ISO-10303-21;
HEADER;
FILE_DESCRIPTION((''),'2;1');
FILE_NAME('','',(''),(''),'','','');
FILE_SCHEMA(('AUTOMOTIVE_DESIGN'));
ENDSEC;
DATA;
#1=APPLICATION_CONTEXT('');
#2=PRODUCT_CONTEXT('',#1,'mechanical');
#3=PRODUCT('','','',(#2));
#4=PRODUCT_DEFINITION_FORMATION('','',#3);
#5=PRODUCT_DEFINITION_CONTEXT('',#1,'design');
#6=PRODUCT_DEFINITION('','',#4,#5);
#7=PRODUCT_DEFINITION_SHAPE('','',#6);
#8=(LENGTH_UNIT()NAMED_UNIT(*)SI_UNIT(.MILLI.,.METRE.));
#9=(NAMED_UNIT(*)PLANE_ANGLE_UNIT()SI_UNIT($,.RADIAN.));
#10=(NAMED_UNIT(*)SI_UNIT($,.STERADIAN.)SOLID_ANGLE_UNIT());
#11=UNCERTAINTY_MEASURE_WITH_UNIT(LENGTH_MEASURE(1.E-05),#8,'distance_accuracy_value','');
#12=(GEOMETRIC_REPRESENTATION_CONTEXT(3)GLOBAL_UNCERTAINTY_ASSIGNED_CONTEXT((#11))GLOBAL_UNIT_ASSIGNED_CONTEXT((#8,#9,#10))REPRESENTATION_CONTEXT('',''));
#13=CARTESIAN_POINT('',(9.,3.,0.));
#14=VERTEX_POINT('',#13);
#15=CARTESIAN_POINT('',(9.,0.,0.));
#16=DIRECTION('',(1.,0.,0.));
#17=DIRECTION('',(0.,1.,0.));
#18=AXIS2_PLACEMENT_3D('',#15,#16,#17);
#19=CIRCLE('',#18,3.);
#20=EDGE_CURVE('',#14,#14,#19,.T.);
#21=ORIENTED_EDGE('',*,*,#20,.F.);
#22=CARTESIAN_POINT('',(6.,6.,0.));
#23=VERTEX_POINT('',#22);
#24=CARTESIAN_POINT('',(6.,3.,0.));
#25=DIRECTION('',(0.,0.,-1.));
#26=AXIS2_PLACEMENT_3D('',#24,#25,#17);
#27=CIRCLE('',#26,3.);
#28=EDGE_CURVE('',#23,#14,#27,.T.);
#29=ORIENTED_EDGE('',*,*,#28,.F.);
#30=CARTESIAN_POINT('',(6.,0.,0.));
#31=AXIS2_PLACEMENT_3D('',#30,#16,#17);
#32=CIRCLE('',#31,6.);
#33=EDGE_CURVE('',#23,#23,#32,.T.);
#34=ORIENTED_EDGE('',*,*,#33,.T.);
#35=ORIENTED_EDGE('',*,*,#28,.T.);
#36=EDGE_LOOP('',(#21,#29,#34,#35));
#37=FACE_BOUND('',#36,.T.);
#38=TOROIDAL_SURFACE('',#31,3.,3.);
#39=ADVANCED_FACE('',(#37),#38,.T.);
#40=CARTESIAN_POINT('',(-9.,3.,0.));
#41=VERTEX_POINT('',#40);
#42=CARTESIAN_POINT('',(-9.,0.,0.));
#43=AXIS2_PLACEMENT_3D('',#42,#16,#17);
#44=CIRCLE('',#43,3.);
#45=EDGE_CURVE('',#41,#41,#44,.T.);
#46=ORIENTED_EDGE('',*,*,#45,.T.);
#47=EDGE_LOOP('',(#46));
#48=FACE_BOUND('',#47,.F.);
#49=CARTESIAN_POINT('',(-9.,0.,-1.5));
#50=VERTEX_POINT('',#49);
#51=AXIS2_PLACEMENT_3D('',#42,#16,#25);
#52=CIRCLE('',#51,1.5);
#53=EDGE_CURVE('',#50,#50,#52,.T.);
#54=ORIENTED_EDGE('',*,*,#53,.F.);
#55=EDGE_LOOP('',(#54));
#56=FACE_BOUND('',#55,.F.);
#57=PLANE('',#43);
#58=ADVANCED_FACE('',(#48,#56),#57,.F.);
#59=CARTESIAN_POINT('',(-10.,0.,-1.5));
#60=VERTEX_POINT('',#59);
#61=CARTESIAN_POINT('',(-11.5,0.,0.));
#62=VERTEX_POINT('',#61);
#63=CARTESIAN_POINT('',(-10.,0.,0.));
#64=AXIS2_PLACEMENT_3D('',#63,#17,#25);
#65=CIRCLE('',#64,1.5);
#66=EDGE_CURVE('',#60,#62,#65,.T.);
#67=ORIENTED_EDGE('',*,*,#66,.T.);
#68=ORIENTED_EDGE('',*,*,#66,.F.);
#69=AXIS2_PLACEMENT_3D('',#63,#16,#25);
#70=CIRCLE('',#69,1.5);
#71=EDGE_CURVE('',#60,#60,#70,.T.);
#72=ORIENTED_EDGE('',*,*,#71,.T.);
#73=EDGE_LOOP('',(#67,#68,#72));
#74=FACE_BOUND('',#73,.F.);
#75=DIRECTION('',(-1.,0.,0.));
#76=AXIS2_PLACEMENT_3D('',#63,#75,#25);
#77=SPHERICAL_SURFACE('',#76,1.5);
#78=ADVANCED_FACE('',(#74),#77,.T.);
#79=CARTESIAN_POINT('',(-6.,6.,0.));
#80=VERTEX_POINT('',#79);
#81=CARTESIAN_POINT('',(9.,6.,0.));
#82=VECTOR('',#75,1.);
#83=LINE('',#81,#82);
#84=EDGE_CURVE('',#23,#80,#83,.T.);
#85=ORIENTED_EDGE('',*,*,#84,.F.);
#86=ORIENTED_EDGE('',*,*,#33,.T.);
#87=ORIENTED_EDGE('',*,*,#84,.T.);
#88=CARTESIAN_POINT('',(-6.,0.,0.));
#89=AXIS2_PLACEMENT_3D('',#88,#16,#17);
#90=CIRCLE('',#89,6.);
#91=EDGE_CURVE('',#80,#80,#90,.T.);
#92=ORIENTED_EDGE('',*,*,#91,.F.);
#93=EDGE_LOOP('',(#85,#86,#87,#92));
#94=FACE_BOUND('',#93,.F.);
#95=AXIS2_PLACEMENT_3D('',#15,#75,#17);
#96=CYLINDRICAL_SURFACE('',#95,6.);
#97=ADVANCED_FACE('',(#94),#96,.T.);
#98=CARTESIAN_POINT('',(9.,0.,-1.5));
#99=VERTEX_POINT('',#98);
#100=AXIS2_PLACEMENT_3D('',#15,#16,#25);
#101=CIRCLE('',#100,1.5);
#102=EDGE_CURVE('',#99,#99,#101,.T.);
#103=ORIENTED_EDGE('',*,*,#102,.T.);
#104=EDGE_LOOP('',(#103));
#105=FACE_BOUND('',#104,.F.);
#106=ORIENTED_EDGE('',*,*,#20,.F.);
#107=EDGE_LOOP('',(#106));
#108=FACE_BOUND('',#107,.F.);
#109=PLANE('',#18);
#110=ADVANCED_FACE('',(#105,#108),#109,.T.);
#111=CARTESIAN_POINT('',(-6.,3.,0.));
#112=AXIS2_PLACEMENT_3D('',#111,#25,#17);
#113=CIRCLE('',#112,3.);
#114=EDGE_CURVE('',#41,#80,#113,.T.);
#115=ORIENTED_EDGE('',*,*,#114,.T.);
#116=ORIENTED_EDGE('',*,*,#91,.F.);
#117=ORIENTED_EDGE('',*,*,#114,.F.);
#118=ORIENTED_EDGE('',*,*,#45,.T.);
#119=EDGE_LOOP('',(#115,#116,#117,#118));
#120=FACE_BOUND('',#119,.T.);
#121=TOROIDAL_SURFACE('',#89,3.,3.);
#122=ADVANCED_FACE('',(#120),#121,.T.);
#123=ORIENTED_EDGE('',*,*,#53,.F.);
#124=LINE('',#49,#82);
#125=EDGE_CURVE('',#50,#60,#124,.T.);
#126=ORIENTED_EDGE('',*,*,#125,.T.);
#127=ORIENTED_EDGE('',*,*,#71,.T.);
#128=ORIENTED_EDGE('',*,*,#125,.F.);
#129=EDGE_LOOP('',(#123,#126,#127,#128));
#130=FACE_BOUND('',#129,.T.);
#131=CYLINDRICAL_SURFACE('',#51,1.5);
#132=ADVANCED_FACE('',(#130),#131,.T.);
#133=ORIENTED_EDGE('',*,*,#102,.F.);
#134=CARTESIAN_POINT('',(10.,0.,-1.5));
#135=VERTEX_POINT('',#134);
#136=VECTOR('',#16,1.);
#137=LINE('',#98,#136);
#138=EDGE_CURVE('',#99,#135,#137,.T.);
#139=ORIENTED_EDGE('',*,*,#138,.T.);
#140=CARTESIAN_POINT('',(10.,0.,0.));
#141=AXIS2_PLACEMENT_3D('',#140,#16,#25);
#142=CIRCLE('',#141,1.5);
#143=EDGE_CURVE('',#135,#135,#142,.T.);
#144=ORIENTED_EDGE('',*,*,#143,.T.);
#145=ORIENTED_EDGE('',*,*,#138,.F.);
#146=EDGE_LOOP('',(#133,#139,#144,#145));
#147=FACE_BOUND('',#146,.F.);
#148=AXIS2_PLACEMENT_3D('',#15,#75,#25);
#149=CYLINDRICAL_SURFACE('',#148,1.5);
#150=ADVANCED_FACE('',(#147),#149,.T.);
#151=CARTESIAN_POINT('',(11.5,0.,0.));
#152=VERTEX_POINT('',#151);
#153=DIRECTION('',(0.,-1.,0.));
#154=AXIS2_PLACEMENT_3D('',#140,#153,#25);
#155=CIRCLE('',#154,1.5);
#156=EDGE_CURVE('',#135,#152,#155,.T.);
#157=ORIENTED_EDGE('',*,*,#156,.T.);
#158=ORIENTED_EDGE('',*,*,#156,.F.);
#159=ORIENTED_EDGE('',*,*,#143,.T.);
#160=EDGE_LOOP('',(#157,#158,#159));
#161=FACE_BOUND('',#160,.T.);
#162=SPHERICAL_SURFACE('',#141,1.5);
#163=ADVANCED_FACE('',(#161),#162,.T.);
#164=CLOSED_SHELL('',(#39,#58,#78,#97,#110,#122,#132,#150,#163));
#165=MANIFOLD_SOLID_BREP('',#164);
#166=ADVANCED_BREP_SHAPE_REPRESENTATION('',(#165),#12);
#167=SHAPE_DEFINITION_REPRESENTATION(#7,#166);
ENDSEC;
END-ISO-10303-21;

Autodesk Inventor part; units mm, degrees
ref_plane "YZ Plane" through (0, 0, 0) normal (1, 0, 0) x (0, 1, 0)
ref_plane "XZ Plane" through (0, 0, 0) normal (0, 1, 0) x (-1, 0, 0)
ref_plane "XY Plane" through (0, 0, 0) normal (0, 0, 1) x (1, 0, 0)
sketch "Sketch1" plane through (0, 0, 0) normal (0, 0, 1) x (1, 0, 0)
  line L0 (-9, -6) -> (9, -6)
  line L1 (9, -6) -> (9, 6)
  line L2 (9, 6) -> (-9, 6)
  line L3 (-9, 6) -> (-9, 0)
  line L4 (-9, -6) -> (9, 6) construction
  line L5 (9, -6) -> (-9, 6) construction
  line L6 (-9, 0) -> (9, 0)
  point P0 (0, 0)
  dimension "d0" = 18
  dimension "d1" = 12
revolve "Revolution1" add sketch "Sketch1" angle 360 about axis through (-9, 0, 0) along (1, 0, 0)
sketch "Sketch2" plane through (9, 0, 0) normal (1, 0, 0) x (0, 0, -1)
  circle A0 centre (0, 0) radius 1.5
  dimension "d3" = 3
extrude "Extrusion1" add sketch "Sketch2" along normal blind 2.5
fillet "Fillet1" radius 1.5 1 edges at (11.5, 0, 1.5)
mirror "Mirror1" about plane through (0, 0, 0) normal (1, 0, 0) of "Extrusion1"
fillet "Fillet2" radius 1.5 1 edges at (-11.5, 0, 1.5)
fillet "Fillet3" radius 3 2 edges at (-9, -6, 0) (9, -6, 0)
properties part number "roller"
